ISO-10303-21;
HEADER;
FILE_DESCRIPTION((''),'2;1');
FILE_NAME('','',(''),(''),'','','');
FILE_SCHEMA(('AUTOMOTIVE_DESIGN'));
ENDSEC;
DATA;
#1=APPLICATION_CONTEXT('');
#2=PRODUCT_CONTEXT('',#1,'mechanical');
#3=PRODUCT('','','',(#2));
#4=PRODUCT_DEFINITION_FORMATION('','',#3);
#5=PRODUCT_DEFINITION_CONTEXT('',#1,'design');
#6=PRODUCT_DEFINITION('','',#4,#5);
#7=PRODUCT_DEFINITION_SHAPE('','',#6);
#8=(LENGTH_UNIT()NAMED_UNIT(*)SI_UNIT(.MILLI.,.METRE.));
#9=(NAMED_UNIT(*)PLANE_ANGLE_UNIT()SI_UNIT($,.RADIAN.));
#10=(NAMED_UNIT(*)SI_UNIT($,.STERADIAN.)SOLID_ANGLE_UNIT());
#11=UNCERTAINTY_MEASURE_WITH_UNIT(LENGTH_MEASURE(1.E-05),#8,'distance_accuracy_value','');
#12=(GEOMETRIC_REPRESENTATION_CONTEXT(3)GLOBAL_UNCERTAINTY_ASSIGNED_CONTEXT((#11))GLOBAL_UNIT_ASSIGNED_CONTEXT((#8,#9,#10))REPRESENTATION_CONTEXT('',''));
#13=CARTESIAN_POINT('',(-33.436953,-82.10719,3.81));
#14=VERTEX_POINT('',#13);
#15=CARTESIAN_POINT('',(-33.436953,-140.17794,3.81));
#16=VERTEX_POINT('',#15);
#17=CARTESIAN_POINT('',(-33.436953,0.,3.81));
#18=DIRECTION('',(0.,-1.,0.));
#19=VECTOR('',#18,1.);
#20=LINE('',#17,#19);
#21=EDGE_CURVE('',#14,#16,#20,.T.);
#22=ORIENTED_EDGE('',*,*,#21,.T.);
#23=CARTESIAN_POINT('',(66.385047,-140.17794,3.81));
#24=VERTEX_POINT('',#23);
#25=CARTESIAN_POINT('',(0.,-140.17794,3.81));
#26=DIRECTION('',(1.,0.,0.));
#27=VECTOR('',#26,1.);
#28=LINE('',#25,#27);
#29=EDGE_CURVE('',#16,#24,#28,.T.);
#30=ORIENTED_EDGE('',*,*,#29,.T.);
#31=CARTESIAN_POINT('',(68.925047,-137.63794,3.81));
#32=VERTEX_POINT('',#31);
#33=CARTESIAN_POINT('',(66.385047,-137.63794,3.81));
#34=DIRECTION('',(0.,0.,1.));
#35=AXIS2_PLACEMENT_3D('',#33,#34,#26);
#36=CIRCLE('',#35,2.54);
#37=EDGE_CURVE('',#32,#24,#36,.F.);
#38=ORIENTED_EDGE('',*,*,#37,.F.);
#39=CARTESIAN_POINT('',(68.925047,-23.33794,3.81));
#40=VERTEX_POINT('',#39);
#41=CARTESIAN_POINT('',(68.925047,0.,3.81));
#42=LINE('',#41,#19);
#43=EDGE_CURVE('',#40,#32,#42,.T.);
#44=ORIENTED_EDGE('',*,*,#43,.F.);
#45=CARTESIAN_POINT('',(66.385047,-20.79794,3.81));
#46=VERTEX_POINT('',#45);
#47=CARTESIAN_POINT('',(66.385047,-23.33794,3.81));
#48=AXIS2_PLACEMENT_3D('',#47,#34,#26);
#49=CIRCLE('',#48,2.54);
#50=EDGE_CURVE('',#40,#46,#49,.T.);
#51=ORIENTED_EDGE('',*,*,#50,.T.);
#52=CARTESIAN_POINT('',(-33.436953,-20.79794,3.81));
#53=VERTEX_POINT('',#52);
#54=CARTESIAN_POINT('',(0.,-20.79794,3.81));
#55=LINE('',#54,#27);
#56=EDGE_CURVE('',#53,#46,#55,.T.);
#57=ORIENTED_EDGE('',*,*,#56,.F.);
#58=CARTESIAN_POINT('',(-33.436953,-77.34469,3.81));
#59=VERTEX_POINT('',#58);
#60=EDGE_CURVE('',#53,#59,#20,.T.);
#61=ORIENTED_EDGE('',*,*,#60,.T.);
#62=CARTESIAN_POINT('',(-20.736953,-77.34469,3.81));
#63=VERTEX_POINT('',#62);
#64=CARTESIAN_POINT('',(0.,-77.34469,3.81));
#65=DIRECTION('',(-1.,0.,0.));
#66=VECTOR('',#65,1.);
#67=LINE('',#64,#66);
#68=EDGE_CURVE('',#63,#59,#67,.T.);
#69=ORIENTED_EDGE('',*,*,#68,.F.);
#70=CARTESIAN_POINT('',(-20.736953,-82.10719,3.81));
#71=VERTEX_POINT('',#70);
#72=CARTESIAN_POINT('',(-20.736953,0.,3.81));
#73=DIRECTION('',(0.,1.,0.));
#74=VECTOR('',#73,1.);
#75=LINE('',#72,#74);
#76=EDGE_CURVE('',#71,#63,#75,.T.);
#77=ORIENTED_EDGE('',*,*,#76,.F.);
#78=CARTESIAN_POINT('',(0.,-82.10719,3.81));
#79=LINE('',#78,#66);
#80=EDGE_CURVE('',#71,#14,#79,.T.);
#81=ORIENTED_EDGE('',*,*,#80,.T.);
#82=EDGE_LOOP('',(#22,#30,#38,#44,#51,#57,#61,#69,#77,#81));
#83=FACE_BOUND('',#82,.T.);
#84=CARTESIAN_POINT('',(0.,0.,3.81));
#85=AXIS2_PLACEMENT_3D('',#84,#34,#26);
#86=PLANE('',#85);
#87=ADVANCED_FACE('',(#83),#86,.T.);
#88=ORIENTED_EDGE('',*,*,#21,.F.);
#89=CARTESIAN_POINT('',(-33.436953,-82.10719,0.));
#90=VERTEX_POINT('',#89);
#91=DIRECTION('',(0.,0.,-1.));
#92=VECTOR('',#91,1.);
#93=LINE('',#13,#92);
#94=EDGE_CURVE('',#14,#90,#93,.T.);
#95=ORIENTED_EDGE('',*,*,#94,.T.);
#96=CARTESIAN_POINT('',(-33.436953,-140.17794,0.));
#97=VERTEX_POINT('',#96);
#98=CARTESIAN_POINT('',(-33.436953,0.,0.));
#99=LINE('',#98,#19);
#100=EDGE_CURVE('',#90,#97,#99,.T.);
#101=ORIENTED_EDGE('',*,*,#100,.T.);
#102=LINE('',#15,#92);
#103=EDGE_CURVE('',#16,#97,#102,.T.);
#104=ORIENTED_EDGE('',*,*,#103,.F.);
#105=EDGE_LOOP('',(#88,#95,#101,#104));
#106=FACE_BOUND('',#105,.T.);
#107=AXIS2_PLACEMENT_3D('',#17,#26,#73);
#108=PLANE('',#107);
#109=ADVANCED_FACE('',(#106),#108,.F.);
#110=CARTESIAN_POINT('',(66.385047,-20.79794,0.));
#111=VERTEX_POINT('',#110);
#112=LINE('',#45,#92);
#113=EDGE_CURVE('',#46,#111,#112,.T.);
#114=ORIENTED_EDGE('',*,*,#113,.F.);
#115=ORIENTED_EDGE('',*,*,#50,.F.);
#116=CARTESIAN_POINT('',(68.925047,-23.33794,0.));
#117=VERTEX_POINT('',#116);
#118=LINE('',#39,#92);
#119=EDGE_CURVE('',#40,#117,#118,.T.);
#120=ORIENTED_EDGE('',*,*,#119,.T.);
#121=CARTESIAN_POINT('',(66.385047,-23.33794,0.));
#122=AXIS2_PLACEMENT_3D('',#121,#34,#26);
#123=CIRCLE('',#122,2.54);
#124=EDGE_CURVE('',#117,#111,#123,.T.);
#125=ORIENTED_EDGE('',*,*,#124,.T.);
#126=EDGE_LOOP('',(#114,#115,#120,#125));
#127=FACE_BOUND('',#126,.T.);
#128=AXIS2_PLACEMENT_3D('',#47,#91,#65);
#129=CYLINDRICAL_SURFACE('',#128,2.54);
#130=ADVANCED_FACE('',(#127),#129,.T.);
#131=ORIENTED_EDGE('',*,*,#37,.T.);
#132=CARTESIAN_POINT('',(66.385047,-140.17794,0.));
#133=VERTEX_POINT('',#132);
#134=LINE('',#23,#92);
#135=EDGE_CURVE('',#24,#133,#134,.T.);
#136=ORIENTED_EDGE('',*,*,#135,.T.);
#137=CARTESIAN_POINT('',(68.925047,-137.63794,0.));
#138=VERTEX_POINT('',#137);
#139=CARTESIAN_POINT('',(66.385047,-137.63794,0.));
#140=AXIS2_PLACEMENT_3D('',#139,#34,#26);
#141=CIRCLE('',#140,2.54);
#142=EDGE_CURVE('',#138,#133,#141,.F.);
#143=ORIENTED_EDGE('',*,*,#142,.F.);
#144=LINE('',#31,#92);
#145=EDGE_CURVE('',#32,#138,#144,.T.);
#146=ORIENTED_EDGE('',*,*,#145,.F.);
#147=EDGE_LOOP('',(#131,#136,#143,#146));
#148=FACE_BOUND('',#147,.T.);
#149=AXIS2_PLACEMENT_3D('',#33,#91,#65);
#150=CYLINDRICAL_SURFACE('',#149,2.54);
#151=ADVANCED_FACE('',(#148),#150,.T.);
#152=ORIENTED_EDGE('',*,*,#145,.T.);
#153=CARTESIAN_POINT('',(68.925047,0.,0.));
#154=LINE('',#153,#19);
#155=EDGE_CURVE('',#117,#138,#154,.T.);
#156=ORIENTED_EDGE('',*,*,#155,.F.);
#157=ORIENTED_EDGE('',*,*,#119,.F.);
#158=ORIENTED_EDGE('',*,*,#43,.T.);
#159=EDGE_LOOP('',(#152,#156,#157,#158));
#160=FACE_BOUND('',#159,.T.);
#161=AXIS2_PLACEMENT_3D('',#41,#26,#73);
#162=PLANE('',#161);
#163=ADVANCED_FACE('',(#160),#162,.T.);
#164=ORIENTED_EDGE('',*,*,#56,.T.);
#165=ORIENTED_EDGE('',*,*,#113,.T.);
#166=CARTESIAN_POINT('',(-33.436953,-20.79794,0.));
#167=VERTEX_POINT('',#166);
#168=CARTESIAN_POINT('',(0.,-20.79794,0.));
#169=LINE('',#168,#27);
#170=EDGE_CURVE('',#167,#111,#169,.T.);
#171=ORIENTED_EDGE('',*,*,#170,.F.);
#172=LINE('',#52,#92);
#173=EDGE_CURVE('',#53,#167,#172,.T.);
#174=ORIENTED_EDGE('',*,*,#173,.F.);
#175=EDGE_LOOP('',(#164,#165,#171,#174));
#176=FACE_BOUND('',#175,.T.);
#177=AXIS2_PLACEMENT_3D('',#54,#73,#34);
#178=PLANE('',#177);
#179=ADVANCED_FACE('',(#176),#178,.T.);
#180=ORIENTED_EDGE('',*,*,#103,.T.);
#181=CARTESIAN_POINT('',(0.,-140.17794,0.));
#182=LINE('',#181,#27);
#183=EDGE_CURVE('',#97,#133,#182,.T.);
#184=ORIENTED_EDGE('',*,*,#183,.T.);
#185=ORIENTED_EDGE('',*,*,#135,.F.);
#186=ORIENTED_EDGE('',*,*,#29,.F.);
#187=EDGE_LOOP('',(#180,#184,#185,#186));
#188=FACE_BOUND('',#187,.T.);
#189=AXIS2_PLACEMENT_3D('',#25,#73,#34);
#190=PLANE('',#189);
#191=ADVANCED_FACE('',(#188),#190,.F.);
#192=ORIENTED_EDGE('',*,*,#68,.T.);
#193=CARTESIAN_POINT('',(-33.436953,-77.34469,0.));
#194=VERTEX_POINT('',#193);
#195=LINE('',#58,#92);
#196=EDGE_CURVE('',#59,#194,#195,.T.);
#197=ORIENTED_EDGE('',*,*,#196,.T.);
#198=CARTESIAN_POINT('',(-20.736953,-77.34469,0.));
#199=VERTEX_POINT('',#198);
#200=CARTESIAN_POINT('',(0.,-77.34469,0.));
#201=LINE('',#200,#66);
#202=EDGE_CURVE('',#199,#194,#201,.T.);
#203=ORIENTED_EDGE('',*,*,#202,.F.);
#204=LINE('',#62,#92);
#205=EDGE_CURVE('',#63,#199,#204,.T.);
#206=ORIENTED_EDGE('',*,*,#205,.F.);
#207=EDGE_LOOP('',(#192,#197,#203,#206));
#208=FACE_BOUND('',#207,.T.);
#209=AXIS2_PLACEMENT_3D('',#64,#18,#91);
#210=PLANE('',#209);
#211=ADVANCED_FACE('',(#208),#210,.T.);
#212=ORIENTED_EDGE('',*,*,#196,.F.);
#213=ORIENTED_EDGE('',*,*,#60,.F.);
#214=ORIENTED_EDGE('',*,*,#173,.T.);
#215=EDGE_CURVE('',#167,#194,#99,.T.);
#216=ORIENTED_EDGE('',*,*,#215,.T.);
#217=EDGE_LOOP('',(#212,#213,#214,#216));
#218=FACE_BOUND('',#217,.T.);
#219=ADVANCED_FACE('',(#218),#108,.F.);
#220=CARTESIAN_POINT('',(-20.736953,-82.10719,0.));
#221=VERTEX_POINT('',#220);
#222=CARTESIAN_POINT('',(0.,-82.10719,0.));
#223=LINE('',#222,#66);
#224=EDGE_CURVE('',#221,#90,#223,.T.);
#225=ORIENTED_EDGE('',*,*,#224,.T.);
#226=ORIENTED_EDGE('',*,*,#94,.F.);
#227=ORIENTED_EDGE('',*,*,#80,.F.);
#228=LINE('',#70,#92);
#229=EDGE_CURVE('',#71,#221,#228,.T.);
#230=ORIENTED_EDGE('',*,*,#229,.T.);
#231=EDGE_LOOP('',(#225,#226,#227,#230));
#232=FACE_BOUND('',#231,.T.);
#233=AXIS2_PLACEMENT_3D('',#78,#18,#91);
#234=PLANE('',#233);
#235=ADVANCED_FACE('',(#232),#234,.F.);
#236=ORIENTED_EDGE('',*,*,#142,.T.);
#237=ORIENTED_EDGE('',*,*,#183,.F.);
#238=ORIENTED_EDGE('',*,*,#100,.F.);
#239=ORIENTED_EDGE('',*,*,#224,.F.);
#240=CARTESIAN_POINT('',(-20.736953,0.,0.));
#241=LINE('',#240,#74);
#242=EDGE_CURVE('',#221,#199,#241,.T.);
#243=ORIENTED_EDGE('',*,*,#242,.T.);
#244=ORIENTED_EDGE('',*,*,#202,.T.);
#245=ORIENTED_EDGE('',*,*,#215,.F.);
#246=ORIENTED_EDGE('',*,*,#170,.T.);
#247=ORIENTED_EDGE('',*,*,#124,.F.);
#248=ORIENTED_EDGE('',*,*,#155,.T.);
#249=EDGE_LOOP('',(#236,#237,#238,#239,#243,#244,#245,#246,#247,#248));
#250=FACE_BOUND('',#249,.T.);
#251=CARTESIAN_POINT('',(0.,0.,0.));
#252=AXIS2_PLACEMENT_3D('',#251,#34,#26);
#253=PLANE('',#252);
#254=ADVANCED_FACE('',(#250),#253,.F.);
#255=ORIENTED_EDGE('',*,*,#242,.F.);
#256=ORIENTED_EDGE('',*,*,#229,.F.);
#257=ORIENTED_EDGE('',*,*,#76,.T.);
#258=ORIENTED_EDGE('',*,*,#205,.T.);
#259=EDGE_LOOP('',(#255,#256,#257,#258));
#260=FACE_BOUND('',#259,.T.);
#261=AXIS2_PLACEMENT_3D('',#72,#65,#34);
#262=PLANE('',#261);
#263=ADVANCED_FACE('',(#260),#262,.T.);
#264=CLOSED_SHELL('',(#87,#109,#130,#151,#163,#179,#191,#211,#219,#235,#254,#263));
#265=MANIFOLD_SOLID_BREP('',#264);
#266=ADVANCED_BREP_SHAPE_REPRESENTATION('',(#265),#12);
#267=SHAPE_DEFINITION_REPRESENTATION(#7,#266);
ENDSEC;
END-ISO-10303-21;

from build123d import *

# Parameters (mm, degrees)
BOSS_EXTRUDE1_DEPTH = 3.81


with BuildPart() as part:
    # Sketch1 → Boss-Extrude1 (new body)
    with BuildSketch(Plane.XY):
        with BuildLine():
            Line((66.385047378, -20.797940286), (39.917099653, -20.797940286))
            Line((39.917099653, -20.797940286), (-33.436952622, -20.797940286))
            Line((-33.436952622, -20.797940286), (-33.436952622, -68.922192769))
            Line((-33.436952622, -68.922192769), (-33.436952622, -77.344690286))
            Line((-33.436952622, -77.344690286), (-20.736952622, -77.344690286))
            Line((-20.736952622, -77.344690286), (-20.736952622, -82.107190286))
            Line((-20.736952622, -82.107190286), (-33.436952622, -82.107190286))
            Line((-33.436952622, -82.107190286), (-33.436952622, -140.177940286))
            Line((-33.436952622, -140.177940286), (2.135249773, -140.177940286))
            Line((2.135249773, -140.177940286), (66.385047378, -140.177940286))
            ThreePointArc((66.385047378, -140.177940286), (68.181098603, -139.43399151), (68.925047378, -137.637940286))
            Line((68.925047378, -137.637940286), (68.925047378, -80.487940286))
            Line((68.925047378, -80.487940286), (68.925047378, -23.337940286))
            ThreePointArc((68.925047378, -23.337940286), (68.181098603, -21.541889062), (66.385047378, -20.797940286))
        make_face()
    extrude(amount=BOSS_EXTRUDE1_DEPTH)


solid = part.part
